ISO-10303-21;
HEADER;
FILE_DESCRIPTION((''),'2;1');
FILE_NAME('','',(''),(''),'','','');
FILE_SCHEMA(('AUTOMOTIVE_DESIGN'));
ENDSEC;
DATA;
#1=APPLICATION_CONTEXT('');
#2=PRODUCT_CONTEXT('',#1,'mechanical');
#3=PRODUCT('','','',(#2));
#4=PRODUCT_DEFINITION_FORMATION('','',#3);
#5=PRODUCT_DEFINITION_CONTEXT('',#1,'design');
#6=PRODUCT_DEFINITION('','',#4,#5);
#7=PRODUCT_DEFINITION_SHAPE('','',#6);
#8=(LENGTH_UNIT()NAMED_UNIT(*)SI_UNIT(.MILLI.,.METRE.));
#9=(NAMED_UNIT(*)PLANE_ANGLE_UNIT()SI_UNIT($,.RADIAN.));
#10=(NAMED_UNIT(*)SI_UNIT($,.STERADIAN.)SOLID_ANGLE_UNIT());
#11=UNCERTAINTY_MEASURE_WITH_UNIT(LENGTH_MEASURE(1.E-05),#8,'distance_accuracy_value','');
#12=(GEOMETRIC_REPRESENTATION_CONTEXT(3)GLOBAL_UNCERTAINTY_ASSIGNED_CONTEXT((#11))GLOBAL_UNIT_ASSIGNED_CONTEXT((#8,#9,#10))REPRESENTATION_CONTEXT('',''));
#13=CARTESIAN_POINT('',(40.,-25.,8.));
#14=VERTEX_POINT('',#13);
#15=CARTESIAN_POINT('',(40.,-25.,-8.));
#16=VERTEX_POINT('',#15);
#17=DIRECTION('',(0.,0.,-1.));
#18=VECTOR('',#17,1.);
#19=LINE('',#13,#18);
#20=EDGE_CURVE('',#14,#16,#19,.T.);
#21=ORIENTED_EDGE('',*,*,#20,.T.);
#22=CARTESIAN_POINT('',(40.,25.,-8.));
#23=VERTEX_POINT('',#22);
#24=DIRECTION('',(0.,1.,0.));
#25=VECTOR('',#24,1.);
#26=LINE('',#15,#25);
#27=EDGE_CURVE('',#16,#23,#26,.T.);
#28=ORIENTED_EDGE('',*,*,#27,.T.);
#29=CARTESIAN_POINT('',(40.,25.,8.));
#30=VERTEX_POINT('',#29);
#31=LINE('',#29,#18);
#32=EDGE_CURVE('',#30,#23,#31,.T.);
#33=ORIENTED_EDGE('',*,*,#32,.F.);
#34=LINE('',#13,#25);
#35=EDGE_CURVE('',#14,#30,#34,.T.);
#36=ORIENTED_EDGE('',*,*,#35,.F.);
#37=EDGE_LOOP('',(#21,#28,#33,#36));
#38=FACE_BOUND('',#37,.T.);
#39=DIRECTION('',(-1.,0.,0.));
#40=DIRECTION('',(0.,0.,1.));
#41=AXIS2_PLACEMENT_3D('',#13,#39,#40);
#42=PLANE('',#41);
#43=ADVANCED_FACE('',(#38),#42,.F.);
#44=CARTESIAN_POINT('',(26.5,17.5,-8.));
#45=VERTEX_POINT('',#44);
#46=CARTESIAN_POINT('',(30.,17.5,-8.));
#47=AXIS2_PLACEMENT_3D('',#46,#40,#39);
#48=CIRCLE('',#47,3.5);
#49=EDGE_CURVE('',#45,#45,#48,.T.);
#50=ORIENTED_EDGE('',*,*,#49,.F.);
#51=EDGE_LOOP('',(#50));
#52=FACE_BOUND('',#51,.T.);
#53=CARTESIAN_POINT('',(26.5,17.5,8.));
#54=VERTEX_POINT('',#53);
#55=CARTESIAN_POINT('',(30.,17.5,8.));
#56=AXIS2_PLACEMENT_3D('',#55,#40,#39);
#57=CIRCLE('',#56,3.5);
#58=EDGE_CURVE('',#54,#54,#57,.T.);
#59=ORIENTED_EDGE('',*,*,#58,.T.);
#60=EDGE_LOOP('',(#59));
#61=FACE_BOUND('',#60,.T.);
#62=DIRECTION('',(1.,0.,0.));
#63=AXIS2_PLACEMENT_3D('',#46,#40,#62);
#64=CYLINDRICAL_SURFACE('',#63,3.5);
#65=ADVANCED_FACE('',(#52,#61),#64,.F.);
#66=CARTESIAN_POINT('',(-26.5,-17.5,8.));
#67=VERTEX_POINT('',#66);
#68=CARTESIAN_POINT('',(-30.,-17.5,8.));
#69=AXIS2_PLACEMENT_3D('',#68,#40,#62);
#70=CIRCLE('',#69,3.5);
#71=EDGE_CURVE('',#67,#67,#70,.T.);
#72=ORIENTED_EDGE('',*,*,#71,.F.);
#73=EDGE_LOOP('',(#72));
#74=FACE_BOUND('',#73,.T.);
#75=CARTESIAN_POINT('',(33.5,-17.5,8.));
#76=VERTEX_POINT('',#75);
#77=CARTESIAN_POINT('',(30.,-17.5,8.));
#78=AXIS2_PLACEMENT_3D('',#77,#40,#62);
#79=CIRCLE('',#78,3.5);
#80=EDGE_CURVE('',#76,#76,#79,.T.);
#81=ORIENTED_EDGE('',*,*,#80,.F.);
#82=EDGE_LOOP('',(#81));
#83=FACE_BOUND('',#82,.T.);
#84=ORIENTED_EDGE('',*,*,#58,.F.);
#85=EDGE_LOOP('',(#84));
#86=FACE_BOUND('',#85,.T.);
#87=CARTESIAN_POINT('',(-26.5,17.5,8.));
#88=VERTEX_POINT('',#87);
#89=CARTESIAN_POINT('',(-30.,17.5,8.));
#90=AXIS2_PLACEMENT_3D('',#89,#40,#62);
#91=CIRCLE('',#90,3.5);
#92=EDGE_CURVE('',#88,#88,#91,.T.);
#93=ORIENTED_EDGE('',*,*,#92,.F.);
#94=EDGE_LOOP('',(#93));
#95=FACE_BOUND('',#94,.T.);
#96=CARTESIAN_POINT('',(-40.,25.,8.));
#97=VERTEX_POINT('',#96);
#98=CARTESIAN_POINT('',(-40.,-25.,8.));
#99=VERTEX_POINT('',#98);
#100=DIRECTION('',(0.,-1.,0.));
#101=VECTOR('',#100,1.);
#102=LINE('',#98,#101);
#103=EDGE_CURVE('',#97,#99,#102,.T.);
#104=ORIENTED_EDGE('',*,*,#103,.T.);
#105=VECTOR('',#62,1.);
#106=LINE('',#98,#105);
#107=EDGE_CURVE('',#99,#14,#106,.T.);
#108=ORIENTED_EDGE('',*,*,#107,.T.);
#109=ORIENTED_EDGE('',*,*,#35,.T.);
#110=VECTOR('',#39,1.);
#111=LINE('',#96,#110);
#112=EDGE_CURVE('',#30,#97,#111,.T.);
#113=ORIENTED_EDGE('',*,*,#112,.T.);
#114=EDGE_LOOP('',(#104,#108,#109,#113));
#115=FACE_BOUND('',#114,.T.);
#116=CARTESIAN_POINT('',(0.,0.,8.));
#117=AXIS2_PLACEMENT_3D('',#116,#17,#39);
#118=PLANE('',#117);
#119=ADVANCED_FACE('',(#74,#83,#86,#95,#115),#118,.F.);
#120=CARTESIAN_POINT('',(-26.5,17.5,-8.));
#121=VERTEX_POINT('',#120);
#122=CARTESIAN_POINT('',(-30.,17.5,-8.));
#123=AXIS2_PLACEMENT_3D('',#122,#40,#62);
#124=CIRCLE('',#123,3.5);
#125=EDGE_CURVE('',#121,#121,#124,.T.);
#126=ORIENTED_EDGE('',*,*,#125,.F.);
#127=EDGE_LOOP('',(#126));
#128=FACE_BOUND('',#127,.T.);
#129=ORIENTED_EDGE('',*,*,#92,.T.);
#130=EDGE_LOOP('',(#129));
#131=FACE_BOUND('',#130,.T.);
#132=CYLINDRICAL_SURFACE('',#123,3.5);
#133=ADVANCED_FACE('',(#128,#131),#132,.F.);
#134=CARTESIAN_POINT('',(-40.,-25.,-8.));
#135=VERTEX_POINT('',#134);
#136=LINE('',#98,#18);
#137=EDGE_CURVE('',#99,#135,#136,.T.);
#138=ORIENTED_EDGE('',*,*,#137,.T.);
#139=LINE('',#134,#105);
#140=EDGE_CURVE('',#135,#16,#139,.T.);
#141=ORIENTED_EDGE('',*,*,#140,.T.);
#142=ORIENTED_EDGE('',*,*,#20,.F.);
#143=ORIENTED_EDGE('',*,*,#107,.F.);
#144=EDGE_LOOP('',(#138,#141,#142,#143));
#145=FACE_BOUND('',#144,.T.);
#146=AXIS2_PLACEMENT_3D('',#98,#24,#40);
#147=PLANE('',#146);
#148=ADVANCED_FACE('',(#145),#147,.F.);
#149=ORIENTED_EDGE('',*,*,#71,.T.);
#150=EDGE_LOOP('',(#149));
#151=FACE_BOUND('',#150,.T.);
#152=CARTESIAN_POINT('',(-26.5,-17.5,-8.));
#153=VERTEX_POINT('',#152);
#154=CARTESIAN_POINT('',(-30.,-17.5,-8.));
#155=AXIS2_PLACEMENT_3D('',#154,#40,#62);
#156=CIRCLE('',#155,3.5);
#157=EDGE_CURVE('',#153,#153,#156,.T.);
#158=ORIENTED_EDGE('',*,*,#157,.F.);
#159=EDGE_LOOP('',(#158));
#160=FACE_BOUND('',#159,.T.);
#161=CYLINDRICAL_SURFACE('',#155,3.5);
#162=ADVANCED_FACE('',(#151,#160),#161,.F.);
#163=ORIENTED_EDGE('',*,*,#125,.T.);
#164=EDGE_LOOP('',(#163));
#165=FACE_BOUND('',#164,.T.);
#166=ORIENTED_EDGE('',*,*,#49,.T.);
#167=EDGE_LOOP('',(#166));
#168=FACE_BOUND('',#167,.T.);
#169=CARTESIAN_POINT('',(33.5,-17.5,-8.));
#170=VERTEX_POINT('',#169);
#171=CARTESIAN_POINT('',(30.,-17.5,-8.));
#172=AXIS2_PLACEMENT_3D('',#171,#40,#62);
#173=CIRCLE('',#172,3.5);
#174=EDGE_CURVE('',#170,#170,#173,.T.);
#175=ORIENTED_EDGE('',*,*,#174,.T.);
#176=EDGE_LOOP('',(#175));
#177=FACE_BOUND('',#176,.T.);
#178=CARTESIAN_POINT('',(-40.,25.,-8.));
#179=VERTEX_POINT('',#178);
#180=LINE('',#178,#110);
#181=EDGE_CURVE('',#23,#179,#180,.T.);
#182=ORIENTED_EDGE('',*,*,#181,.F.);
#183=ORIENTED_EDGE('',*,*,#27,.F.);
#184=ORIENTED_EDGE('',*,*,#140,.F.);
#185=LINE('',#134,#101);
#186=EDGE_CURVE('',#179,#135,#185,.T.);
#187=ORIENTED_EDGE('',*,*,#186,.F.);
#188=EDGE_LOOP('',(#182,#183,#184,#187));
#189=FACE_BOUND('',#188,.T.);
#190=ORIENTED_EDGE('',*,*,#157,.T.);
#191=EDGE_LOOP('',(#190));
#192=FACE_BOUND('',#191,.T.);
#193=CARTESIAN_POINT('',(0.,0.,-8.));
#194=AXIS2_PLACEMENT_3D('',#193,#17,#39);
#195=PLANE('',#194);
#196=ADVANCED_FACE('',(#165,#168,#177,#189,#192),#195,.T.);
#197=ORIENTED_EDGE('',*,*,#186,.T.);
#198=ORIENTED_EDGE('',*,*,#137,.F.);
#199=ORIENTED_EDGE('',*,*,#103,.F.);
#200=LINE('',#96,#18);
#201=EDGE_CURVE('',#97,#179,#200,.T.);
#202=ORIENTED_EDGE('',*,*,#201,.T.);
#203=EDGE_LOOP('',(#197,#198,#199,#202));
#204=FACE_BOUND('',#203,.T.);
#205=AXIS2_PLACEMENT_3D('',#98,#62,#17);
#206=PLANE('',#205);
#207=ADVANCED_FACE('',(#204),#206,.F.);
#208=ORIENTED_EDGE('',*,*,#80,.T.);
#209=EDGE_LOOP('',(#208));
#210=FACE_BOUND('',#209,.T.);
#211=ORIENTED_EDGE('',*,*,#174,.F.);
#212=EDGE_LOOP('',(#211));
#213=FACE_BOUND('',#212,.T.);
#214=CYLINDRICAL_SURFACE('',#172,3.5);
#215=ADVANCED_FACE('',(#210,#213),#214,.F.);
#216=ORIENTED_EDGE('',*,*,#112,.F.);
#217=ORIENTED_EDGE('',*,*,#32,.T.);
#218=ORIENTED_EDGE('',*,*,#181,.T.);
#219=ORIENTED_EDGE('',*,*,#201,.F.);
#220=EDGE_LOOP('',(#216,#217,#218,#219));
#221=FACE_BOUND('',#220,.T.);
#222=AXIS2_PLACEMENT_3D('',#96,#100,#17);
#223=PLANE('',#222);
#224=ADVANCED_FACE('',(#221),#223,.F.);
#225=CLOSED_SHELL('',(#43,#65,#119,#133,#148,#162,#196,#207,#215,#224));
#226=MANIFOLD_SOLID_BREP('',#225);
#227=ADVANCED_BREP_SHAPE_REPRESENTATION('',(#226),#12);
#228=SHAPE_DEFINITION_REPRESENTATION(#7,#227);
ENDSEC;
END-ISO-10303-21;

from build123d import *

# Parameters (mm, degrees)
ESQUISSE1_W             = 80
ESQUISSE1_H             = 50
BOSS_EXTRU_1_DEPTH      = 8
ESQUISSE2_R             = 3.5
ENL_V_MAT_EXTRU_1_DEPTH = 17


with BuildPart() as part:
    # Esquisse1 → Boss.-Extru.1 (new body, symmetric)
    with BuildSketch(Plane.XY):
        Rectangle(ESQUISSE1_W, ESQUISSE1_H)
    extrude(amount=BOSS_EXTRU_1_DEPTH, both=True)

    # Esquisse2 → Enlèv. mat.-Extru.1 (cut, through all)
    with BuildSketch(Plane.XY.offset(8)):
        with Locations((-30, 17.5)):
            Circle(ESQUISSE2_R)
        with Locations(Location((30, 17.5, 0), (0, 0, 180))):  # turned: the seam where the file's is
            Circle(ESQUISSE2_R)
        with Locations((-30, -17.5)):
            Circle(ESQUISSE2_R)
        with Locations((30, -17.5)):
            Circle(ESQUISSE2_R)
    extrude(amount=-ENL_V_MAT_EXTRU_1_DEPTH, mode=Mode.SUBTRACT)


solid = part.part
